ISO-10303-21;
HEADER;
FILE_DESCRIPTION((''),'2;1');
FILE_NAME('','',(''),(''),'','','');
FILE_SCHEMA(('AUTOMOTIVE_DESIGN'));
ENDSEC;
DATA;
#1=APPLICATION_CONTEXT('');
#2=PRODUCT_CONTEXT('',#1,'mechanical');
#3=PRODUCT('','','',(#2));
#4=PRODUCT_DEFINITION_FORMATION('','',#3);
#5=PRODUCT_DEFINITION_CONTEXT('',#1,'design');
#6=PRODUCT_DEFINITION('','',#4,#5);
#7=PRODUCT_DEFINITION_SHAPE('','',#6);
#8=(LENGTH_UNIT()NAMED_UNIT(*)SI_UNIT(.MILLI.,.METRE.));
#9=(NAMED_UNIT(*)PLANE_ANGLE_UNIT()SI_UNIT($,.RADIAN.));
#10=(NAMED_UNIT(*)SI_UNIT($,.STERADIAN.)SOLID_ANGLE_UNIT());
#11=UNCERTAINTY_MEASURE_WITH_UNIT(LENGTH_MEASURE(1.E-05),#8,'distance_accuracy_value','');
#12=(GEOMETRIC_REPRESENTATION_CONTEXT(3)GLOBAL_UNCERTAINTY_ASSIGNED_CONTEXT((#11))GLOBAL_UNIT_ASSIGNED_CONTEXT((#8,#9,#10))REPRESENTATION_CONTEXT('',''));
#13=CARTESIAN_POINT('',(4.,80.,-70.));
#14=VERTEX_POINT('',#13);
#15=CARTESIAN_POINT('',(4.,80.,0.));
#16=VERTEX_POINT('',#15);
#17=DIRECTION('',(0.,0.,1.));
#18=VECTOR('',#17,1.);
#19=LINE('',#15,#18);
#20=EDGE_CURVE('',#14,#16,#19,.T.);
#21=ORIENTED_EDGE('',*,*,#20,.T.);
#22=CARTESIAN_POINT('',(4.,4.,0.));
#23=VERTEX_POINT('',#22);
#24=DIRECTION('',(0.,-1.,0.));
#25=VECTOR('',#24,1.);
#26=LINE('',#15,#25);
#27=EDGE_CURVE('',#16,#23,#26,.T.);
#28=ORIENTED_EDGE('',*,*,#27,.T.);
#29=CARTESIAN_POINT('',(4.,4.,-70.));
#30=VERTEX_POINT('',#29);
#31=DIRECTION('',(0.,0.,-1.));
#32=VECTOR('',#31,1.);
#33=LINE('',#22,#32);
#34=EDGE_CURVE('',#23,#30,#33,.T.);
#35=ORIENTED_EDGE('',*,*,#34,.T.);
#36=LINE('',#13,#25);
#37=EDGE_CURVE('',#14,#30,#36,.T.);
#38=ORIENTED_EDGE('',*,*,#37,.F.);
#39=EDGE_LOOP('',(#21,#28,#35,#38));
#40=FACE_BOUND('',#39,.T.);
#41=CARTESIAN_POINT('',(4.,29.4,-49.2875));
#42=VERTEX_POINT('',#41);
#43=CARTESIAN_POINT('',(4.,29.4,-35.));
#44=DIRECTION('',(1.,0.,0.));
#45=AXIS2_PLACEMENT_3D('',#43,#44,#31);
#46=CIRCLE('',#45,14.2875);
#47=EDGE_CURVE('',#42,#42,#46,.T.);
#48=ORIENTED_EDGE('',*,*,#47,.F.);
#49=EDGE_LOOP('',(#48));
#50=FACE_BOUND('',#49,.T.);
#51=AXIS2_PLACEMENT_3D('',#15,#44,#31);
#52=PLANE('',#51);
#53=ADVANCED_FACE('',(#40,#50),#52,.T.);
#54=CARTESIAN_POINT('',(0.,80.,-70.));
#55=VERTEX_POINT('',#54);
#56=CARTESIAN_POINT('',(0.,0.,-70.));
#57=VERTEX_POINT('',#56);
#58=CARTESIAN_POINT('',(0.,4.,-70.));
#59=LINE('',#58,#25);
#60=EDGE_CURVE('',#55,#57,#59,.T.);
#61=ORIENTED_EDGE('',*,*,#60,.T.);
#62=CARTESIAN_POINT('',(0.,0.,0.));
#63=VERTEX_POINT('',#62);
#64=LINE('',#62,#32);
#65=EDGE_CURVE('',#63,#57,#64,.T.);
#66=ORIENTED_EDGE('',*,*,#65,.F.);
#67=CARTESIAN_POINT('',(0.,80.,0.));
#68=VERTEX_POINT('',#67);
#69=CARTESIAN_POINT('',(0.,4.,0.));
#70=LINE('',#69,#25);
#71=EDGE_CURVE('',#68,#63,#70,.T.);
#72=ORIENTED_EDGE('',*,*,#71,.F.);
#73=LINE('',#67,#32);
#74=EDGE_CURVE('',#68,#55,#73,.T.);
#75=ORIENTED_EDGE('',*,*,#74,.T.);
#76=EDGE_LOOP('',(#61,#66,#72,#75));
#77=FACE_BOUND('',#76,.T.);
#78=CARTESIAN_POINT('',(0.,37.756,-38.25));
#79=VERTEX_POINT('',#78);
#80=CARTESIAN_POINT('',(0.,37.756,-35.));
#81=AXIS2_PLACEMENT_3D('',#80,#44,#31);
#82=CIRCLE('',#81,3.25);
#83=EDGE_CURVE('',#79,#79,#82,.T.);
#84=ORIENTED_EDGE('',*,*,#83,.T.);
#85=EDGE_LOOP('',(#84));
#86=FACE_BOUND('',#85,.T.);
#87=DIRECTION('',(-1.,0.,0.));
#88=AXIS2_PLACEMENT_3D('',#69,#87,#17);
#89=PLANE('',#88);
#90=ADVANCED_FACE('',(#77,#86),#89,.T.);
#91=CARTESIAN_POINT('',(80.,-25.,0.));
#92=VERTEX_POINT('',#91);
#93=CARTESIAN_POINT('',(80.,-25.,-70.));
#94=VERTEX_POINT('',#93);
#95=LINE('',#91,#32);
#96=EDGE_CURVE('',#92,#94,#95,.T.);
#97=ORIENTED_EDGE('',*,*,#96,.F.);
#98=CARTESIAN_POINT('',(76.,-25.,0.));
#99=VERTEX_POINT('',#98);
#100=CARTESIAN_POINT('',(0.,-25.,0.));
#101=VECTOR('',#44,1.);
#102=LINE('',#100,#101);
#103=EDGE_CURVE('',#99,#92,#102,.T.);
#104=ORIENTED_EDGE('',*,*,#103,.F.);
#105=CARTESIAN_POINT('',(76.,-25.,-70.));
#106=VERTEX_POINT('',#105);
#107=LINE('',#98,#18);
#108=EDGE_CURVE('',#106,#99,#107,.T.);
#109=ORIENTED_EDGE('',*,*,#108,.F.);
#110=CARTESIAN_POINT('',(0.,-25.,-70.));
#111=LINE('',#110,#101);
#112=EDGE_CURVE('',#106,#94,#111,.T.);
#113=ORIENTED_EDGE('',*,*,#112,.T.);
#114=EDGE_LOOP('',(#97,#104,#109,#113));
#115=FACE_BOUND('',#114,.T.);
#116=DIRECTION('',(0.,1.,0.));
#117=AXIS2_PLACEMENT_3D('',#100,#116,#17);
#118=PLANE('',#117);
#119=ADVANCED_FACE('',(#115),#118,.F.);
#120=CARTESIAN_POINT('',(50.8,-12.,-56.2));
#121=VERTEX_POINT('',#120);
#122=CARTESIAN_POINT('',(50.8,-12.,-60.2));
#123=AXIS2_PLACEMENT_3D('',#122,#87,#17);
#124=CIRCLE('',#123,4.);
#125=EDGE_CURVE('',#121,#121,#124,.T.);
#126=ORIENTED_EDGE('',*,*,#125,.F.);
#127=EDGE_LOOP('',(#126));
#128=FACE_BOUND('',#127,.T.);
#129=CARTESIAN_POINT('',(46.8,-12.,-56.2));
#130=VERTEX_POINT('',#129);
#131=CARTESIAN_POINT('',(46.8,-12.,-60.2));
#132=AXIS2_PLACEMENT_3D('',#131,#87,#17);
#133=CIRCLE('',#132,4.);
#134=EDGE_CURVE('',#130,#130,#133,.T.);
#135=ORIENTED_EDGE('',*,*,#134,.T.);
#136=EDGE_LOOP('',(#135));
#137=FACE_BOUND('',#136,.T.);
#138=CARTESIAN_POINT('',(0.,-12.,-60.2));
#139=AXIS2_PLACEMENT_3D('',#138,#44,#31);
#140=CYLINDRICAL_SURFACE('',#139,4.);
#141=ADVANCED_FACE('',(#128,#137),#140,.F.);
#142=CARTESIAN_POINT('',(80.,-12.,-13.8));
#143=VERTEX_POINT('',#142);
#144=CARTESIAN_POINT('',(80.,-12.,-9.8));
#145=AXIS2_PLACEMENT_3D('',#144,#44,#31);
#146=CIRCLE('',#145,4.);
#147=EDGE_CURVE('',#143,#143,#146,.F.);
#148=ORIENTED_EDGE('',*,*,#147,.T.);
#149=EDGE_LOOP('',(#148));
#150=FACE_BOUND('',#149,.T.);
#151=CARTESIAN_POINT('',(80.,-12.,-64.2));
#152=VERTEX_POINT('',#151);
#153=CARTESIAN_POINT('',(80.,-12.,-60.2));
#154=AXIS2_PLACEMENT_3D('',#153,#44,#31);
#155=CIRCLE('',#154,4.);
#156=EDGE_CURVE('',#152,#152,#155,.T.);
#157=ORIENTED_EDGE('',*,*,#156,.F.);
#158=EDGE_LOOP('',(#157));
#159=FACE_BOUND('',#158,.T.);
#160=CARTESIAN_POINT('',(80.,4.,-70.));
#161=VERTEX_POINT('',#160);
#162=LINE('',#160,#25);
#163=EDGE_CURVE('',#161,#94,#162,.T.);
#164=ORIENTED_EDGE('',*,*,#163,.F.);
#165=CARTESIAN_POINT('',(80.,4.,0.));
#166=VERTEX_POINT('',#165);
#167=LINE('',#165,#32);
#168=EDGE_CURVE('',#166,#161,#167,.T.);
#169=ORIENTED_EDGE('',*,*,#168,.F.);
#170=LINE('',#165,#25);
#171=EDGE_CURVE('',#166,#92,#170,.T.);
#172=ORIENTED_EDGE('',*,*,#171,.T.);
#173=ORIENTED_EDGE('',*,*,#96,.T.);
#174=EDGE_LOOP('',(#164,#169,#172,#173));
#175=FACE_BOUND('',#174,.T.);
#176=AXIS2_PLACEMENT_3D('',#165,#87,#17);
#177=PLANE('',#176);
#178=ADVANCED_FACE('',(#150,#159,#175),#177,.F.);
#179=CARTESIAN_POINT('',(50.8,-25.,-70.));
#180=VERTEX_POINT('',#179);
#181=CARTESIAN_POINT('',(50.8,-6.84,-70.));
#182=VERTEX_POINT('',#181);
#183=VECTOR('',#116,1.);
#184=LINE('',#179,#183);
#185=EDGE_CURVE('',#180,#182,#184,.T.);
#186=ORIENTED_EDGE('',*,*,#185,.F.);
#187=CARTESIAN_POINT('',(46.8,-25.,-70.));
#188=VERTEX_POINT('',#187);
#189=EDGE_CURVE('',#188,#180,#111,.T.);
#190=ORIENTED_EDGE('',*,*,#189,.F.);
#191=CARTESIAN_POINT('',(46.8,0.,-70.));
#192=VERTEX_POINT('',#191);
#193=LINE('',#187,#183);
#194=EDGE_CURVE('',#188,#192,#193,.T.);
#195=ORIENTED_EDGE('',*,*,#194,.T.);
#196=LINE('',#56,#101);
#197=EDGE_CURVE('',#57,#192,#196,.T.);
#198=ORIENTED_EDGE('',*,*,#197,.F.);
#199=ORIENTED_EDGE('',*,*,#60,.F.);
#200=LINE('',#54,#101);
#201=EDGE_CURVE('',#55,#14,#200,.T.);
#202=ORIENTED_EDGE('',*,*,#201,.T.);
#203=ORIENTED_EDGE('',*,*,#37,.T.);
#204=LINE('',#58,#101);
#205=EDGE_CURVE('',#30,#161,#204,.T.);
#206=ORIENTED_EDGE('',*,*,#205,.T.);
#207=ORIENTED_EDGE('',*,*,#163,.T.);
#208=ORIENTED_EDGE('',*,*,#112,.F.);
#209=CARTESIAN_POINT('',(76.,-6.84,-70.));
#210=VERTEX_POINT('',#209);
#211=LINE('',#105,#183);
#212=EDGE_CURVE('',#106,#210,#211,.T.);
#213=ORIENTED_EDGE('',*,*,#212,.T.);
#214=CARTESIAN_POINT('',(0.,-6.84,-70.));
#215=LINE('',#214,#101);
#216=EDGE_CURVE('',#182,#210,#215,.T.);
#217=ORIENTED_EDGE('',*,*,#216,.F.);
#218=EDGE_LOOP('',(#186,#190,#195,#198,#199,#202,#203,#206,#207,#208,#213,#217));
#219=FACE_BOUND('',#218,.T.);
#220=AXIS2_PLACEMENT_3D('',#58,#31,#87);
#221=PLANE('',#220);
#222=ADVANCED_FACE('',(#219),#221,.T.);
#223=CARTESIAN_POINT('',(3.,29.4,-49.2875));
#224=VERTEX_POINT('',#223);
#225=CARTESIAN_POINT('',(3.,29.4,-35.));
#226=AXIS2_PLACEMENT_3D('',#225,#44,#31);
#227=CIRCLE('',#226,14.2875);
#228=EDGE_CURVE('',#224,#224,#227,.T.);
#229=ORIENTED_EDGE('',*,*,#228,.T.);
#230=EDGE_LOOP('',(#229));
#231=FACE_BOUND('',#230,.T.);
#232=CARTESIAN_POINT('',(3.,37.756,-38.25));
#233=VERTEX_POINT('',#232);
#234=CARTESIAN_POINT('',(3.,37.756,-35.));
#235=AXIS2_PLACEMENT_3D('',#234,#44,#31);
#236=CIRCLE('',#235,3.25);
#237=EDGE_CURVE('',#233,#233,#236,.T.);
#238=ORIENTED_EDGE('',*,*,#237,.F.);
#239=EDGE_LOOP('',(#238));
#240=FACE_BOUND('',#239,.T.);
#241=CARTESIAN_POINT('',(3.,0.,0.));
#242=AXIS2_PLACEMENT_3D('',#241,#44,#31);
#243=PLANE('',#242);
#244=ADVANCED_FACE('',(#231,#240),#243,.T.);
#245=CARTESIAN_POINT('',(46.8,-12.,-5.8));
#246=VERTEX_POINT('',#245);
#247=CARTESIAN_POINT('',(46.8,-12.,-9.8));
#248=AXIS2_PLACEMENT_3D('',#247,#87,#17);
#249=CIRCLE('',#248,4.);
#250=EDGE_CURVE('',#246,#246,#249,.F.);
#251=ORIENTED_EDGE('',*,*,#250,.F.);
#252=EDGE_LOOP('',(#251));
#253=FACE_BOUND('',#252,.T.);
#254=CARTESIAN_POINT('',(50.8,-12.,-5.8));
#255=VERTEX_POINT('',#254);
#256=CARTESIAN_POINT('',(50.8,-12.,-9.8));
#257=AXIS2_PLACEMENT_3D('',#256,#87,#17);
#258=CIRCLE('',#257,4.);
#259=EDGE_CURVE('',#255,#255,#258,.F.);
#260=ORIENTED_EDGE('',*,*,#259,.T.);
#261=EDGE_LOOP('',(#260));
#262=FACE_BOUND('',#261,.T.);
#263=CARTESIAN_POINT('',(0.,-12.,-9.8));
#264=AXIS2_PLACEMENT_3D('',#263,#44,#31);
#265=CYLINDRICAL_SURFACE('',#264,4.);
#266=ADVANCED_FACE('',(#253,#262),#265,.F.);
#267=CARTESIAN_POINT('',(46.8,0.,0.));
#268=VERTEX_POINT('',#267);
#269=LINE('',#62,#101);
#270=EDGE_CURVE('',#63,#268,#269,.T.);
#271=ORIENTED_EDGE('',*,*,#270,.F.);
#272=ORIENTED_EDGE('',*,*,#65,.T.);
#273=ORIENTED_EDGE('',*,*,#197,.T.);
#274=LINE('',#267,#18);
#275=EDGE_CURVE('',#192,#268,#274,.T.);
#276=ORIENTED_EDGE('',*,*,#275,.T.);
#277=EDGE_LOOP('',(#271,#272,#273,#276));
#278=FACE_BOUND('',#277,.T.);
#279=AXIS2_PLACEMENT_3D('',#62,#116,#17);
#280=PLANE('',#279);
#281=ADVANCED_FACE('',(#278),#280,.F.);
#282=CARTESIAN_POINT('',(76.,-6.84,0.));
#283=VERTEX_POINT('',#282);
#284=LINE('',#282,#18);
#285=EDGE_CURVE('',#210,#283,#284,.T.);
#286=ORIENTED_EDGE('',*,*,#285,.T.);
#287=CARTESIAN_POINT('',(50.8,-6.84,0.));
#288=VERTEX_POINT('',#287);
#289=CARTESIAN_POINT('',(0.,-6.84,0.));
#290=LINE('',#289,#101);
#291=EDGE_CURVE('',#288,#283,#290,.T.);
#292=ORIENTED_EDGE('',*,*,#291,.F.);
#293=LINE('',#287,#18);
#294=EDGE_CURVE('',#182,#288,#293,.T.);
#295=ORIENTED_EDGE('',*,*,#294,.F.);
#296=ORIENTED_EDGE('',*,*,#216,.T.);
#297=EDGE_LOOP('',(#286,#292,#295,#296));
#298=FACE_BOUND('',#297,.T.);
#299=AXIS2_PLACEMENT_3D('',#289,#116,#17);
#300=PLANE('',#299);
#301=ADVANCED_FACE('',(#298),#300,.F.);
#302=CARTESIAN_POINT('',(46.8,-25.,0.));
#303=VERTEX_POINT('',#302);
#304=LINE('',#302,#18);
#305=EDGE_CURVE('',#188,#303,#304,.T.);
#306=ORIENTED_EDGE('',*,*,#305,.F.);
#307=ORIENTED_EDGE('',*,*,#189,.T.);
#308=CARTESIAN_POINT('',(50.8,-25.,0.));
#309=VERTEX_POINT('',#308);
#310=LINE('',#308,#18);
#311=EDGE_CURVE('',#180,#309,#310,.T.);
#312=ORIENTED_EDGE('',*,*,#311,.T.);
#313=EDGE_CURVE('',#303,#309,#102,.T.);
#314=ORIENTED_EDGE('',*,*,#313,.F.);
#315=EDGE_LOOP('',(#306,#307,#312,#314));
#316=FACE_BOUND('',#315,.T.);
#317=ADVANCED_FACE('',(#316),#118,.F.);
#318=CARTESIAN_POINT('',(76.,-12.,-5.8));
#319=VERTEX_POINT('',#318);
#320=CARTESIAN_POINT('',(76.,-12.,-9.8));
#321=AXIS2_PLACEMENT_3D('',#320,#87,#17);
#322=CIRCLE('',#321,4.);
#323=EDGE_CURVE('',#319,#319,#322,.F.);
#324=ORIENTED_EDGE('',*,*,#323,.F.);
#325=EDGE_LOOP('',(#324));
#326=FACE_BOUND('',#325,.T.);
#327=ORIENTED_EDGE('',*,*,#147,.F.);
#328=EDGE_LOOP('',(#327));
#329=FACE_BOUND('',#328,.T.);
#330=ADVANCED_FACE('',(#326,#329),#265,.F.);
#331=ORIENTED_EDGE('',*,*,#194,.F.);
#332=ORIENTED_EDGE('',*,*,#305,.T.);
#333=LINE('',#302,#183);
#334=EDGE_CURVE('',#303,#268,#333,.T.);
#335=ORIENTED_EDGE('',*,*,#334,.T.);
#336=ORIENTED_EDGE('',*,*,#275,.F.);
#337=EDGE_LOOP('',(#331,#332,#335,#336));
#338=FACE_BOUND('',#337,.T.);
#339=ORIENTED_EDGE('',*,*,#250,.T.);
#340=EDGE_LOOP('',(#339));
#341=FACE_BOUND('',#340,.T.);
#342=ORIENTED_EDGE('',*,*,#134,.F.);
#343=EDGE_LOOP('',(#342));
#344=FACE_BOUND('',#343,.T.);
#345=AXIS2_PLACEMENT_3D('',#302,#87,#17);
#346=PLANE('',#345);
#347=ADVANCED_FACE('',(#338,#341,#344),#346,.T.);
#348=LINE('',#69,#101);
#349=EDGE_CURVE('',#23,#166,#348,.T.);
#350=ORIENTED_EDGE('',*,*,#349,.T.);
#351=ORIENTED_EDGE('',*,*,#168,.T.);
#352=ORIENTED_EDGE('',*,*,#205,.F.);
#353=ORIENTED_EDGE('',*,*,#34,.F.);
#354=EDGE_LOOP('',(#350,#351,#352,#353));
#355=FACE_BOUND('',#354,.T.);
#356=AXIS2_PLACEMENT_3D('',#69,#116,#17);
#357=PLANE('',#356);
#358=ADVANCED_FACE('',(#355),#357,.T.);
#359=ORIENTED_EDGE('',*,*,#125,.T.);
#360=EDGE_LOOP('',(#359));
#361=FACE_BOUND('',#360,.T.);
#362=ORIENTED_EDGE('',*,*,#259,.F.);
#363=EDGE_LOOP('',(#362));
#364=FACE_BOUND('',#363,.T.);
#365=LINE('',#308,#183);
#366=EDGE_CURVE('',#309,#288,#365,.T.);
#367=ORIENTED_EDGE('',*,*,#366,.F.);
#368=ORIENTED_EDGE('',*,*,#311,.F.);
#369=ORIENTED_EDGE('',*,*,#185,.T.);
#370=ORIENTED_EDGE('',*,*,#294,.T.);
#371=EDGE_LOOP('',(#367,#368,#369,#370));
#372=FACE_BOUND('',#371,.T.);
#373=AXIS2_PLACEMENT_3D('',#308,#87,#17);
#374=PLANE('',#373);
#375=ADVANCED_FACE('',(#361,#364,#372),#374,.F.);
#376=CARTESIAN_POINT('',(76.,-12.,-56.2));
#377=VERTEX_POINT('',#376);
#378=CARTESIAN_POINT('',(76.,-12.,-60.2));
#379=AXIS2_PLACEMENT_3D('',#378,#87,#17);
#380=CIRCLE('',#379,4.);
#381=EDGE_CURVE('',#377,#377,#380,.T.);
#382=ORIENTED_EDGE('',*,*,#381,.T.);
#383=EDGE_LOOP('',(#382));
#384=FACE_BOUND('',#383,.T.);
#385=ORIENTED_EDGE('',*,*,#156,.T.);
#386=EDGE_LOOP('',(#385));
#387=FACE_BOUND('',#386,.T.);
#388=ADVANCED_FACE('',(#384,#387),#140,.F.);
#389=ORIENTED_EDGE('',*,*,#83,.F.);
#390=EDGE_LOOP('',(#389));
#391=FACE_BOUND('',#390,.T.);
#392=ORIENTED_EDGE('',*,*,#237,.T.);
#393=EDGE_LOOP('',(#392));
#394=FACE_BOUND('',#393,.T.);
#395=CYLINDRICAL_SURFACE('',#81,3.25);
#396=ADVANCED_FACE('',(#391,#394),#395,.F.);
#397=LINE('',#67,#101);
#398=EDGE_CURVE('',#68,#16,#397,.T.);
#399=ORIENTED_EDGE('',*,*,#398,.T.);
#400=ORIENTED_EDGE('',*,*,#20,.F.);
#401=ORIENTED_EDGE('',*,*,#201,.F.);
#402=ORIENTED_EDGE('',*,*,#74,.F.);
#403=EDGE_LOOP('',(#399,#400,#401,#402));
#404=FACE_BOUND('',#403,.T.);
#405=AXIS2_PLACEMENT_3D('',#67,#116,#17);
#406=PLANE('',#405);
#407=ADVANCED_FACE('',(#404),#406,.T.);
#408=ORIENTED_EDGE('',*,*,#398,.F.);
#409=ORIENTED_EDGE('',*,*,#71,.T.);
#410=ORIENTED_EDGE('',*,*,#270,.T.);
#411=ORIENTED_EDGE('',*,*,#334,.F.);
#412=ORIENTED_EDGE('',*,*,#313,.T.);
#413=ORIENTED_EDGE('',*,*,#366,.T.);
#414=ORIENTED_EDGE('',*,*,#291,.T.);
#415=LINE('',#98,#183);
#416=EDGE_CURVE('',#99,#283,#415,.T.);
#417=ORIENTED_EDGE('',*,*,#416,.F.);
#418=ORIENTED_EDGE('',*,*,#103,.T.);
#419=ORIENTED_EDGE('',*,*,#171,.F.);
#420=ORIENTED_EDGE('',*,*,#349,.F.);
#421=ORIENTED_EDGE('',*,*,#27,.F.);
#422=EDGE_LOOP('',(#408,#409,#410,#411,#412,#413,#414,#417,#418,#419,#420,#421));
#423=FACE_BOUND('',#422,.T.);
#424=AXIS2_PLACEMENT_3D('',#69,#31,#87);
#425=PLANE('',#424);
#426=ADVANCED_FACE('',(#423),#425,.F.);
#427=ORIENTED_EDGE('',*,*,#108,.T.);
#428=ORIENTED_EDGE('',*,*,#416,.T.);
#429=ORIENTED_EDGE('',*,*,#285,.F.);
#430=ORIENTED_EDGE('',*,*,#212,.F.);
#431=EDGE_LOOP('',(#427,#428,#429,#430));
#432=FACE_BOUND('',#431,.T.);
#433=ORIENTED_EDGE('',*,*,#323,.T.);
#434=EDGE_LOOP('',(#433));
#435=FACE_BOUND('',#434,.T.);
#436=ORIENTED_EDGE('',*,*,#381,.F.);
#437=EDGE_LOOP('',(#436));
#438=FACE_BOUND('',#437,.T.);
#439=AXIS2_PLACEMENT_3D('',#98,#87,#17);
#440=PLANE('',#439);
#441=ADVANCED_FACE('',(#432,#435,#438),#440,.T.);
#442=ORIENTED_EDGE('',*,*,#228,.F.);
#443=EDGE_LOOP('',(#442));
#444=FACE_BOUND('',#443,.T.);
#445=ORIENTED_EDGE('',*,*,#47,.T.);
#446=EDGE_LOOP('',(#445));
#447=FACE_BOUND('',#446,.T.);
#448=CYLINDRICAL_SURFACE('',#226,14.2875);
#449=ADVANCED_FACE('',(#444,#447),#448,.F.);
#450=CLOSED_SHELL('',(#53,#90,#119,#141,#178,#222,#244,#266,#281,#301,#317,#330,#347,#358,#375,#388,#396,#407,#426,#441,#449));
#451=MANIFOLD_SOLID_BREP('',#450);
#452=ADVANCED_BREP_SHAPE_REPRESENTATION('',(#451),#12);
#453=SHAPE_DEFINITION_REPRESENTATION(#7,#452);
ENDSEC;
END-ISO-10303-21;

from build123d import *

# Parameters (mm, degrees)
SKETCH1_W           = 80
SKETCH1_H           = 70
BOSS_EXTRUDE1_DEPTH = 4
SKETCH1_3_W         = 4
SKETCH1_3_H         = 70
BOSS_EXTRUDE2_DEPTH = 80
SKETCH1_4_W         = 4
SKETCH1_4_H         = 70
BOSS_EXTRUDE3_DEPTH = 25
SKETCH2_R           = 4
CUT_EXTRUDE1_DEPTH  = 134.041346957
SKETCH3_R           = 3.25
CUT_EXTRUDE2_DEPTH  = 131.675169791
SKETCH3_3_R         = 14.2875
SKETCH3_3_R_2       = 3.25
CUT_EXTRUDE3_DEPTH  = 1
SKETCH1_5_W         = 25.2
SKETCH1_5_H         = 70
BOSS_EXTRUDE4_DEPTH = 6.84


with BuildPart() as part:
    # Sketch1 → Boss-Extrude1 (new body)
    with BuildSketch(Plane(origin=(0, 0, 0), x_dir=(1, 0, 0), z_dir=(0, 1, 0))):
        with Locations((40, 35)):
            Rectangle(SKETCH1_W, SKETCH1_H)
    extrude(amount=BOSS_EXTRUDE1_DEPTH)

    # Sketch1<3> → Boss-Extrude2 (add)
    with BuildSketch(Plane(origin=(0, 0, 0), x_dir=(1, 0, 0), z_dir=(0, 1, 0))):
        with Locations((2, 35)):
            Rectangle(SKETCH1_3_W, SKETCH1_3_H)
    extrude(amount=BOSS_EXTRUDE2_DEPTH)

    # Sketch1<4> → Boss-Extrude3 (add)
    with BuildSketch(Plane(origin=(0, 0, 0), x_dir=(1, 0, 0), z_dir=(0, 1, 0))):
        with Locations((48.8, 35)):
            Rectangle(SKETCH1_4_W, SKETCH1_4_H)
        with Locations((78, 35)):
            Rectangle(SKETCH1_4_W, SKETCH1_4_H)
    extrude(amount=-BOSS_EXTRUDE3_DEPTH)

    # Sketch2 → Cut-Extrude1 (cut, through all)
    with BuildSketch(Plane(origin=(80, 0, 0), x_dir=(0, 0, -1), z_dir=(1, 0, 0))):
        with Locations((60.2, -12)):
            Circle(SKETCH2_R)
        with Locations((9.8, -12)):
            Circle(SKETCH2_R)
    extrude(amount=-CUT_EXTRUDE1_DEPTH, mode=Mode.SUBTRACT)

    # Sketch3 → Cut-Extrude2 (cut, through all)
    with BuildSketch(Plane(origin=(4, 0, 0), x_dir=(0, 0, -1), z_dir=(1, 0, 0))):
        with Locations((35, 37.756)):
            Circle(SKETCH3_R)
    extrude(amount=-CUT_EXTRUDE2_DEPTH, mode=Mode.SUBTRACT)

    # Sketch3<3> → Cut-Extrude3 (cut)
    with BuildSketch(Plane(origin=(4, 0, 0), x_dir=(0, 0, -1), z_dir=(1, 0, 0))):
        with Locations((35, 29.4)):
            Circle(SKETCH3_3_R)
        with Locations((35, 37.756)):
            Circle(SKETCH3_3_R_2, mode=Mode.SUBTRACT)
    extrude(amount=-CUT_EXTRUDE3_DEPTH, mode=Mode.SUBTRACT)

    # Sketch1<5> → Boss-Extrude4 (add)
    with BuildSketch(Plane(origin=(0, 0, 0), x_dir=(1, 0, 0), z_dir=(0, 1, 0))):
        with Locations((63.4, 35)):
            Rectangle(SKETCH1_5_W, SKETCH1_5_H)
    extrude(amount=-BOSS_EXTRUDE4_DEPTH)


solid = part.part
